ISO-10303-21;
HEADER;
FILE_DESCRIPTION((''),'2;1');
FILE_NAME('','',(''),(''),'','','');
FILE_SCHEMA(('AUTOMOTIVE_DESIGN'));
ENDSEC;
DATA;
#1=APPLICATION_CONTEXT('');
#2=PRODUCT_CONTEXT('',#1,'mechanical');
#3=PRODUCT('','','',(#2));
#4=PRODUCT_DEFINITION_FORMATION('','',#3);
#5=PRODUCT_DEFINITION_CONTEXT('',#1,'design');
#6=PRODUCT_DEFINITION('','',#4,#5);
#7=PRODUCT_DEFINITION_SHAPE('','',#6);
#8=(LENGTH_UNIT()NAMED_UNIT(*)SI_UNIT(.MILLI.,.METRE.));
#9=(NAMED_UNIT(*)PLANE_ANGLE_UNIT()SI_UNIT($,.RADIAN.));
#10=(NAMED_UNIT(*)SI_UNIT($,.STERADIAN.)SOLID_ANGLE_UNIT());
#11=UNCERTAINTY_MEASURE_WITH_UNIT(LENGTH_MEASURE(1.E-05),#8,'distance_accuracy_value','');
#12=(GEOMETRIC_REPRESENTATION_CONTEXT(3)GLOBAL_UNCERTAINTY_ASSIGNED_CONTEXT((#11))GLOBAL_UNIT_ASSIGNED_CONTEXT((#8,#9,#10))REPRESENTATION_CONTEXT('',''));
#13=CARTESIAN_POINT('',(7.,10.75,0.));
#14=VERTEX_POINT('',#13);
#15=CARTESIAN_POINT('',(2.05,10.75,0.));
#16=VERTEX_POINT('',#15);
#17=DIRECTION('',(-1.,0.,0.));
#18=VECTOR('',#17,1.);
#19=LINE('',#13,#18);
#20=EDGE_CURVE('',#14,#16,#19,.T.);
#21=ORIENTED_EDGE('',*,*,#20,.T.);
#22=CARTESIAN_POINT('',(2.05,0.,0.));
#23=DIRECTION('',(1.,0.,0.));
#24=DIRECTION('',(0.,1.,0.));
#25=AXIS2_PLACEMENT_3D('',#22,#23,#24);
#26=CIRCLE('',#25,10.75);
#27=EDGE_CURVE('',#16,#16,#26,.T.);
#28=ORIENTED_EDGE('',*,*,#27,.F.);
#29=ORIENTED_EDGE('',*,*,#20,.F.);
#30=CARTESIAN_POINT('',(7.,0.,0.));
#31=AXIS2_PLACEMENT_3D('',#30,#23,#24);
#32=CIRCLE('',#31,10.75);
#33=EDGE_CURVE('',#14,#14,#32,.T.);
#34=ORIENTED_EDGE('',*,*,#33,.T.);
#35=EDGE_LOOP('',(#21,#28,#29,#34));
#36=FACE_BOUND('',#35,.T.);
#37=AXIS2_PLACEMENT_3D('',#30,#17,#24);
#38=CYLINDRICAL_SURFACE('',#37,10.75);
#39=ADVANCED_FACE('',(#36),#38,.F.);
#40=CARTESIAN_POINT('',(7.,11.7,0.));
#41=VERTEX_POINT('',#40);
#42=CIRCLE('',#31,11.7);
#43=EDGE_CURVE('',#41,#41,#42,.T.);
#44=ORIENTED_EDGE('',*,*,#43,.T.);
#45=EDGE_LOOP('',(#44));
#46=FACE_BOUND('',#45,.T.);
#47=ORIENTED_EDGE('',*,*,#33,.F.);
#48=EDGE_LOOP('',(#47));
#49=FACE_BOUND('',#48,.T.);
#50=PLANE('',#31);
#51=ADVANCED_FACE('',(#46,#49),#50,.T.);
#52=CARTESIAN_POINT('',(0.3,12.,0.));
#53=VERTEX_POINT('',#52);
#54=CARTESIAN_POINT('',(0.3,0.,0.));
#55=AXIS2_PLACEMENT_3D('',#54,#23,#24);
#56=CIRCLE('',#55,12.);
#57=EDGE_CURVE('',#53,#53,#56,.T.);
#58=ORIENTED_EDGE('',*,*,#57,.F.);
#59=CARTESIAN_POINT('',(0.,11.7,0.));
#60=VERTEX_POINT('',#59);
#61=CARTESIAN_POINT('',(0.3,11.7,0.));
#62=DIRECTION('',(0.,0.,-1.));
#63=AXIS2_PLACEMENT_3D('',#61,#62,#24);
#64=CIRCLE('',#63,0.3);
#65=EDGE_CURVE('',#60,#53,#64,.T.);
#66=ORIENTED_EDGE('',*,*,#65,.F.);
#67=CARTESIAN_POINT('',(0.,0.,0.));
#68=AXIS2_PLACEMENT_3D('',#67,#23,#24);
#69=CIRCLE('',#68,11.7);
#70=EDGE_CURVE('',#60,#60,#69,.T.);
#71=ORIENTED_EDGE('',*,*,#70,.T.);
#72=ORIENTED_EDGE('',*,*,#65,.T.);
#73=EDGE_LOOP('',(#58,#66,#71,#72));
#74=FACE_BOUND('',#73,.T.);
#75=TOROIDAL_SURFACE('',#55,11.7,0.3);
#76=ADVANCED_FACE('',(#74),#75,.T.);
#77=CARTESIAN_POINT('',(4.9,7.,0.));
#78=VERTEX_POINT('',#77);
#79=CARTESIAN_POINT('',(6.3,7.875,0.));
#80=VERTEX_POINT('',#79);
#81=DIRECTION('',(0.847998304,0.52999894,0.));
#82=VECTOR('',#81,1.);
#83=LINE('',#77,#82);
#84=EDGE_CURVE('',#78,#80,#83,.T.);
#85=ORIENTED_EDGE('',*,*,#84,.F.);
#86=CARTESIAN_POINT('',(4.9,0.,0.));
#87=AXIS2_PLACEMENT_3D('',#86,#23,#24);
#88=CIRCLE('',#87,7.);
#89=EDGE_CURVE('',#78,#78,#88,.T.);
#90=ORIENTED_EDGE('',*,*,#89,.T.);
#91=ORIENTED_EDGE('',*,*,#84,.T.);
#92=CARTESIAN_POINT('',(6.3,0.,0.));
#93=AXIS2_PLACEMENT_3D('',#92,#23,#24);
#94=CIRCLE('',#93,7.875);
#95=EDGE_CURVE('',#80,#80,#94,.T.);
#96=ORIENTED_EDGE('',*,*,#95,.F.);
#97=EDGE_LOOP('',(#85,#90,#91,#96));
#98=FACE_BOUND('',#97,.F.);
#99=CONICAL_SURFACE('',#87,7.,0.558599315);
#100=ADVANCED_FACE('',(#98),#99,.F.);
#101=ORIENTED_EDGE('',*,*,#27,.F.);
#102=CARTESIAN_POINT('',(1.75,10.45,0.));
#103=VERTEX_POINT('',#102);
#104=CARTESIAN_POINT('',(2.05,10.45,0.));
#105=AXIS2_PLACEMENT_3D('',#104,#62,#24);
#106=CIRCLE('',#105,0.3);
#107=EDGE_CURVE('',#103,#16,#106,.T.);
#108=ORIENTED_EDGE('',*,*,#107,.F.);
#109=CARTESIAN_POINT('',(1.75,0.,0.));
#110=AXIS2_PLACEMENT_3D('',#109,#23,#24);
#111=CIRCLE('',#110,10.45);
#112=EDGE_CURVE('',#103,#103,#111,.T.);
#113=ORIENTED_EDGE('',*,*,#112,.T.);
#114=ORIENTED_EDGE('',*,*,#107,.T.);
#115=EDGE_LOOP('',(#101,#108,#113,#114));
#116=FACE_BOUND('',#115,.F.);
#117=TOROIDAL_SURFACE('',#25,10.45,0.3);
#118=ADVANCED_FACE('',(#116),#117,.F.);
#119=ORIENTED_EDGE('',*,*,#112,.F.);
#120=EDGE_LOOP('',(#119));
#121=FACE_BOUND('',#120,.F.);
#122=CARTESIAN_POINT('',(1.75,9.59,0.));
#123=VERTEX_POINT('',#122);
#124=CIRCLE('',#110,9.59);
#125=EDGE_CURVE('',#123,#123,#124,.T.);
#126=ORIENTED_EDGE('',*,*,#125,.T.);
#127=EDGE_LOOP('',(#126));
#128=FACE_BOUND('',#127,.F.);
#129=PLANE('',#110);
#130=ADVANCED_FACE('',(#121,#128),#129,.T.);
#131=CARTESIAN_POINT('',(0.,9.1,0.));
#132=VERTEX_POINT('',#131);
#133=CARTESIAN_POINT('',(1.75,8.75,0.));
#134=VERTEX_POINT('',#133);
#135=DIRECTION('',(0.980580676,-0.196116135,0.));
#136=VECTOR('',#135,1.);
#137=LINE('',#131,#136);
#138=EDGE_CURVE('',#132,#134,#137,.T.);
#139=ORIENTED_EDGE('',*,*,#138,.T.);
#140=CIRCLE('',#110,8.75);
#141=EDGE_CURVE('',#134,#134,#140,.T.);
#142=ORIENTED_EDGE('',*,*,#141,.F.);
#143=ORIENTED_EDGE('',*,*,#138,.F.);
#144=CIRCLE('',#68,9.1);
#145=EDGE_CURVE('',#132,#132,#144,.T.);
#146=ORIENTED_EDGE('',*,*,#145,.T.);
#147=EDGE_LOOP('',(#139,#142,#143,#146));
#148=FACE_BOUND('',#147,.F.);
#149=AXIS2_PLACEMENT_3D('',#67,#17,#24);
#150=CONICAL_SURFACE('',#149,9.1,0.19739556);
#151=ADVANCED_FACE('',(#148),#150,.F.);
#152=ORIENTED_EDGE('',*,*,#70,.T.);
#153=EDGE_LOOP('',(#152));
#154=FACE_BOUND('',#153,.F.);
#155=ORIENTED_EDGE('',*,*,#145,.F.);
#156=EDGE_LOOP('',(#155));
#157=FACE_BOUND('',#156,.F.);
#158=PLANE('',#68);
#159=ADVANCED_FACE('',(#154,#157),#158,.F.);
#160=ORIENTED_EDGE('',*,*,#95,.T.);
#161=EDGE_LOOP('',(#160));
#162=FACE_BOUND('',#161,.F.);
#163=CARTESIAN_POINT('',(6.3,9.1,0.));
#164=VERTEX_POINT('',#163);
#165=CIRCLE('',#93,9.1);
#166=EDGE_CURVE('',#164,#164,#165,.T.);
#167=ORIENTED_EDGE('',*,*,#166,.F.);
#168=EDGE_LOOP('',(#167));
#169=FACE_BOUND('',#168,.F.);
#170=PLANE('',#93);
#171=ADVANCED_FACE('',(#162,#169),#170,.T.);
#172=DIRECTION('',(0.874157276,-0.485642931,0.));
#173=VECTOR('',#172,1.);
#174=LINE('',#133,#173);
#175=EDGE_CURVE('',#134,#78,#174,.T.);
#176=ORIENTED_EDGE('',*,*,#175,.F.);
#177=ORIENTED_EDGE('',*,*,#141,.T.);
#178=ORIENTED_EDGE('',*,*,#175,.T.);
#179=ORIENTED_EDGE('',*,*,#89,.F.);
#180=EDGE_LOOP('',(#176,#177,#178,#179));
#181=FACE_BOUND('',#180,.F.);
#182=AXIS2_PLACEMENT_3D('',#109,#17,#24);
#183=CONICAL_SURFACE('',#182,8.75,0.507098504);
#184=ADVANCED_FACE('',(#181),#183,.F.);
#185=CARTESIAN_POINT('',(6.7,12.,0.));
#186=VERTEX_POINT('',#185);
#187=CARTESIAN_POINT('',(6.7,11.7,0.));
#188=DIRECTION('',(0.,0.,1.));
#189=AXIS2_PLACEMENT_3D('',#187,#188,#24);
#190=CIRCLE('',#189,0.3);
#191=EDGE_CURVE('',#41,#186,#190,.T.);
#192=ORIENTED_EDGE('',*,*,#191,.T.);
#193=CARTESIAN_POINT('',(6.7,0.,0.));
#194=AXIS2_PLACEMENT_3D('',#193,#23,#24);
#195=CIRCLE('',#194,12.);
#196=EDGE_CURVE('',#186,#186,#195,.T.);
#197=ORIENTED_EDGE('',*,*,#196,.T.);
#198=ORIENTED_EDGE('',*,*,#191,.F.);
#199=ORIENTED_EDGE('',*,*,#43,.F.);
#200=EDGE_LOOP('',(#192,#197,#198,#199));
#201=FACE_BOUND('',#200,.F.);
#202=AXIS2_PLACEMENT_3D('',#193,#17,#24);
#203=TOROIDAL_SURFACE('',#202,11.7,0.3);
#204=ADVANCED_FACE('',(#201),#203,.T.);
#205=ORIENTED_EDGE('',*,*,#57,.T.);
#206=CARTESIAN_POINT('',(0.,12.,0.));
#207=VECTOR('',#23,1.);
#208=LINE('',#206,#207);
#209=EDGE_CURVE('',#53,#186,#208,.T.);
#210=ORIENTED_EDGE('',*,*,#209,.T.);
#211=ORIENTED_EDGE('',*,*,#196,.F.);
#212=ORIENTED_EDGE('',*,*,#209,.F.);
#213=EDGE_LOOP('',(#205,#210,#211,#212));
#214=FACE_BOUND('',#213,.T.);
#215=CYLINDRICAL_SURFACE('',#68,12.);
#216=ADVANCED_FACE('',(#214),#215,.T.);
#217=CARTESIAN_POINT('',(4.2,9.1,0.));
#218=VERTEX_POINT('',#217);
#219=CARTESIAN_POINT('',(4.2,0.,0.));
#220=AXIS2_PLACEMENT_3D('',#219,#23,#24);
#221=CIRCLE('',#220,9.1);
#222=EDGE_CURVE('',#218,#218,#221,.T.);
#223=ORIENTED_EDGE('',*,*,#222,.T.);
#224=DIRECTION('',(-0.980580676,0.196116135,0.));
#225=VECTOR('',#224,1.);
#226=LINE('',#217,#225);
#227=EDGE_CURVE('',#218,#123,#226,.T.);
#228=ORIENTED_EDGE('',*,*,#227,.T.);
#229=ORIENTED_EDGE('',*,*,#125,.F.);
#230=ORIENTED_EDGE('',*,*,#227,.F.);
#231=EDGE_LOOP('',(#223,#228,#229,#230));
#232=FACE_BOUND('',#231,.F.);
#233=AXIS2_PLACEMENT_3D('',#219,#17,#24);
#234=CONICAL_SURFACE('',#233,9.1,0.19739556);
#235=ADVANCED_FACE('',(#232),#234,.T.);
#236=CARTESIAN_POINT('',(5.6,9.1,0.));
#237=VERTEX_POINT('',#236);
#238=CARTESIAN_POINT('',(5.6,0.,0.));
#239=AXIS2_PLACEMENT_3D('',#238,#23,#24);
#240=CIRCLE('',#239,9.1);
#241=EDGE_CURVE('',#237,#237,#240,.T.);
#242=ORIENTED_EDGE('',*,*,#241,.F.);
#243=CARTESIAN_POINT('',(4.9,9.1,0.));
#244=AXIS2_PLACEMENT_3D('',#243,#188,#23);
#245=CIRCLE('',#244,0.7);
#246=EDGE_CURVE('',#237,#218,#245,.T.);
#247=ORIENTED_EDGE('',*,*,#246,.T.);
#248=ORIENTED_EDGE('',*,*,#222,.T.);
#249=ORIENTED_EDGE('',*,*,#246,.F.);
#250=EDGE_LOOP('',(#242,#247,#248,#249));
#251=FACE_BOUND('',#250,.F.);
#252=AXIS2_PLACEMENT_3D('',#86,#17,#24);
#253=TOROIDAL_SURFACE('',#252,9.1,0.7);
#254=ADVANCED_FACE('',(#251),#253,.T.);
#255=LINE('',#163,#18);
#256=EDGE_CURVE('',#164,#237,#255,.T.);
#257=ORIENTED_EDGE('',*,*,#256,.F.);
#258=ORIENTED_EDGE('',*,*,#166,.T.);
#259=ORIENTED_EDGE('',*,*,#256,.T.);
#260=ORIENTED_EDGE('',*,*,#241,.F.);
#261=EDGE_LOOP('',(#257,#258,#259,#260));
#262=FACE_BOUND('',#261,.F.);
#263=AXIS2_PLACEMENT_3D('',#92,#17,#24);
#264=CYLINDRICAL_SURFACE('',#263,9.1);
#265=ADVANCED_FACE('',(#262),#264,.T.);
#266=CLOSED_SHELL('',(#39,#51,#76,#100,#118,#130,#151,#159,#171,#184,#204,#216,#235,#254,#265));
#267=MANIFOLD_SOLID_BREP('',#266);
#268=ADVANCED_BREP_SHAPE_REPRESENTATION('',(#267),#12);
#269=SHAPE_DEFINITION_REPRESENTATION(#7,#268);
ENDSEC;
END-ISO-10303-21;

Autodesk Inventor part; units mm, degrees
ref_plane "YZ Plane" through (0, 0, 0) normal (1, 0, 0) x (0, 1, 0)
ref_plane "XZ Plane" through (0, 0, 0) normal (0, 1, 0) x (-1, 0, 0)
ref_plane "XY Plane" through (0, 0, 0) normal (0, 0, 1) x (1, 0, 0)
sketch "Sketch1" plane through (0, 0, 0) normal (0, 0, 1) x (1, 0, 0)
  circle A0 centre (4.9, 9.1) radius 0.455
  circle A1 centre (4.9, 9.1) radius 0.7
  line L0 (6.3, 7.875) -> (6.3, 9.1)
  line L1 (0, 12) -> (7, 12)
  line L2 (7, 12) -> (7, 10.75)
  line L3 (7, 10.75) -> (1.75, 10.75)
  line L4 (0, 0) -> (9.5856, 0)
  line L5 (0, 12) -> (0, 9.1)
  line L6 (0, 9.1) -> (1.75, 8.75)
  line L7 (1.75, 8.75) -> (4.9, 7)
  line L8 (4.9, 7) -> (6.3, 7.875)
  line L9 (4.9, 7) -> (0, 7) construction
  line L10 (0, 18) -> (0, -3) projected
  line L11 (-1.9171, 0) -> (11.5027, 0) projected
  line L12 (4.2, 9.1) -> (1.75, 9.59)
  line L13 (1.75, 9.59) -> (1.75, 10.75)
  line L14 (6.3, 9.1) -> (5.6, 9.1)
  dimension "d0" = 24
  dimension "d1" = 15.75
  dimension "d2" = 1.25
  dimension "d3" = 0.91
  dimension "d4" = 1.4
  dimension "d5" = 14
  dimension "d6" = 17.5
  dimension "d7" = 18.2
  dimension "d8" = 4.9
  dimension "d9" = 6.3
  dimension "d10" = 7
  dimension "d12" = 1.75
revolve "Body" add sketch "Sketch1" angle 360 about axis through (0, 0, 0) along (1, 0, 0) contours L14 L0 L8 L7 L6 L5 L1 L2 L3 L13 L12 A1
revolve "Spring1" add sketch "Sketch1" angle 360 about axis through (0, 0, 0) along (1, 0, 0) contours A0 | A1
fillet "Fillet1" radius 0.3 3 edges at (7, -12, 0) (1.75, -10.75, 0) (0, -12, 0)
equation "\"d0\" = SD2"
equation "\"d1\" = ABDM"
equation "\"d3\" = SPDI"
equation "\"d4\" = SPDA"
equation "\"d5\" = NND"
equation "\"d6\" = TKDM"
equation "\"d7\" = HLDM"
equation "\"d8\" = SPDST"
equation "\"d9\" = SDI"
equation "\"d10\" = SWDT"
equation "\"d12\" = SD"
equation "\"d11\" = RR"
equation "\"SD2\" = 24"
equation "\"SWDT\" = 7"
equation "\"RR\" = 0.3"
equation "\"SD\" = 1.75"
equation "\"NND\" = 14"
equation "\"SPDA\" = 1.4"
equation "\"SPDI\" = 0.91"
equation "\"TKDM\" = 17.5"
equation "\"HLDM\" = 18.2"
equation "\"ABDM\" = 15.75"
equation "\"SDI\" = 6.3"
equation "\"SPDST\" = 4.9"
equation "\"LAB\" = 0.35"
properties part number "DIN 3760 - A - 14 x 24 x 7 - NBR" material "Rubber"
